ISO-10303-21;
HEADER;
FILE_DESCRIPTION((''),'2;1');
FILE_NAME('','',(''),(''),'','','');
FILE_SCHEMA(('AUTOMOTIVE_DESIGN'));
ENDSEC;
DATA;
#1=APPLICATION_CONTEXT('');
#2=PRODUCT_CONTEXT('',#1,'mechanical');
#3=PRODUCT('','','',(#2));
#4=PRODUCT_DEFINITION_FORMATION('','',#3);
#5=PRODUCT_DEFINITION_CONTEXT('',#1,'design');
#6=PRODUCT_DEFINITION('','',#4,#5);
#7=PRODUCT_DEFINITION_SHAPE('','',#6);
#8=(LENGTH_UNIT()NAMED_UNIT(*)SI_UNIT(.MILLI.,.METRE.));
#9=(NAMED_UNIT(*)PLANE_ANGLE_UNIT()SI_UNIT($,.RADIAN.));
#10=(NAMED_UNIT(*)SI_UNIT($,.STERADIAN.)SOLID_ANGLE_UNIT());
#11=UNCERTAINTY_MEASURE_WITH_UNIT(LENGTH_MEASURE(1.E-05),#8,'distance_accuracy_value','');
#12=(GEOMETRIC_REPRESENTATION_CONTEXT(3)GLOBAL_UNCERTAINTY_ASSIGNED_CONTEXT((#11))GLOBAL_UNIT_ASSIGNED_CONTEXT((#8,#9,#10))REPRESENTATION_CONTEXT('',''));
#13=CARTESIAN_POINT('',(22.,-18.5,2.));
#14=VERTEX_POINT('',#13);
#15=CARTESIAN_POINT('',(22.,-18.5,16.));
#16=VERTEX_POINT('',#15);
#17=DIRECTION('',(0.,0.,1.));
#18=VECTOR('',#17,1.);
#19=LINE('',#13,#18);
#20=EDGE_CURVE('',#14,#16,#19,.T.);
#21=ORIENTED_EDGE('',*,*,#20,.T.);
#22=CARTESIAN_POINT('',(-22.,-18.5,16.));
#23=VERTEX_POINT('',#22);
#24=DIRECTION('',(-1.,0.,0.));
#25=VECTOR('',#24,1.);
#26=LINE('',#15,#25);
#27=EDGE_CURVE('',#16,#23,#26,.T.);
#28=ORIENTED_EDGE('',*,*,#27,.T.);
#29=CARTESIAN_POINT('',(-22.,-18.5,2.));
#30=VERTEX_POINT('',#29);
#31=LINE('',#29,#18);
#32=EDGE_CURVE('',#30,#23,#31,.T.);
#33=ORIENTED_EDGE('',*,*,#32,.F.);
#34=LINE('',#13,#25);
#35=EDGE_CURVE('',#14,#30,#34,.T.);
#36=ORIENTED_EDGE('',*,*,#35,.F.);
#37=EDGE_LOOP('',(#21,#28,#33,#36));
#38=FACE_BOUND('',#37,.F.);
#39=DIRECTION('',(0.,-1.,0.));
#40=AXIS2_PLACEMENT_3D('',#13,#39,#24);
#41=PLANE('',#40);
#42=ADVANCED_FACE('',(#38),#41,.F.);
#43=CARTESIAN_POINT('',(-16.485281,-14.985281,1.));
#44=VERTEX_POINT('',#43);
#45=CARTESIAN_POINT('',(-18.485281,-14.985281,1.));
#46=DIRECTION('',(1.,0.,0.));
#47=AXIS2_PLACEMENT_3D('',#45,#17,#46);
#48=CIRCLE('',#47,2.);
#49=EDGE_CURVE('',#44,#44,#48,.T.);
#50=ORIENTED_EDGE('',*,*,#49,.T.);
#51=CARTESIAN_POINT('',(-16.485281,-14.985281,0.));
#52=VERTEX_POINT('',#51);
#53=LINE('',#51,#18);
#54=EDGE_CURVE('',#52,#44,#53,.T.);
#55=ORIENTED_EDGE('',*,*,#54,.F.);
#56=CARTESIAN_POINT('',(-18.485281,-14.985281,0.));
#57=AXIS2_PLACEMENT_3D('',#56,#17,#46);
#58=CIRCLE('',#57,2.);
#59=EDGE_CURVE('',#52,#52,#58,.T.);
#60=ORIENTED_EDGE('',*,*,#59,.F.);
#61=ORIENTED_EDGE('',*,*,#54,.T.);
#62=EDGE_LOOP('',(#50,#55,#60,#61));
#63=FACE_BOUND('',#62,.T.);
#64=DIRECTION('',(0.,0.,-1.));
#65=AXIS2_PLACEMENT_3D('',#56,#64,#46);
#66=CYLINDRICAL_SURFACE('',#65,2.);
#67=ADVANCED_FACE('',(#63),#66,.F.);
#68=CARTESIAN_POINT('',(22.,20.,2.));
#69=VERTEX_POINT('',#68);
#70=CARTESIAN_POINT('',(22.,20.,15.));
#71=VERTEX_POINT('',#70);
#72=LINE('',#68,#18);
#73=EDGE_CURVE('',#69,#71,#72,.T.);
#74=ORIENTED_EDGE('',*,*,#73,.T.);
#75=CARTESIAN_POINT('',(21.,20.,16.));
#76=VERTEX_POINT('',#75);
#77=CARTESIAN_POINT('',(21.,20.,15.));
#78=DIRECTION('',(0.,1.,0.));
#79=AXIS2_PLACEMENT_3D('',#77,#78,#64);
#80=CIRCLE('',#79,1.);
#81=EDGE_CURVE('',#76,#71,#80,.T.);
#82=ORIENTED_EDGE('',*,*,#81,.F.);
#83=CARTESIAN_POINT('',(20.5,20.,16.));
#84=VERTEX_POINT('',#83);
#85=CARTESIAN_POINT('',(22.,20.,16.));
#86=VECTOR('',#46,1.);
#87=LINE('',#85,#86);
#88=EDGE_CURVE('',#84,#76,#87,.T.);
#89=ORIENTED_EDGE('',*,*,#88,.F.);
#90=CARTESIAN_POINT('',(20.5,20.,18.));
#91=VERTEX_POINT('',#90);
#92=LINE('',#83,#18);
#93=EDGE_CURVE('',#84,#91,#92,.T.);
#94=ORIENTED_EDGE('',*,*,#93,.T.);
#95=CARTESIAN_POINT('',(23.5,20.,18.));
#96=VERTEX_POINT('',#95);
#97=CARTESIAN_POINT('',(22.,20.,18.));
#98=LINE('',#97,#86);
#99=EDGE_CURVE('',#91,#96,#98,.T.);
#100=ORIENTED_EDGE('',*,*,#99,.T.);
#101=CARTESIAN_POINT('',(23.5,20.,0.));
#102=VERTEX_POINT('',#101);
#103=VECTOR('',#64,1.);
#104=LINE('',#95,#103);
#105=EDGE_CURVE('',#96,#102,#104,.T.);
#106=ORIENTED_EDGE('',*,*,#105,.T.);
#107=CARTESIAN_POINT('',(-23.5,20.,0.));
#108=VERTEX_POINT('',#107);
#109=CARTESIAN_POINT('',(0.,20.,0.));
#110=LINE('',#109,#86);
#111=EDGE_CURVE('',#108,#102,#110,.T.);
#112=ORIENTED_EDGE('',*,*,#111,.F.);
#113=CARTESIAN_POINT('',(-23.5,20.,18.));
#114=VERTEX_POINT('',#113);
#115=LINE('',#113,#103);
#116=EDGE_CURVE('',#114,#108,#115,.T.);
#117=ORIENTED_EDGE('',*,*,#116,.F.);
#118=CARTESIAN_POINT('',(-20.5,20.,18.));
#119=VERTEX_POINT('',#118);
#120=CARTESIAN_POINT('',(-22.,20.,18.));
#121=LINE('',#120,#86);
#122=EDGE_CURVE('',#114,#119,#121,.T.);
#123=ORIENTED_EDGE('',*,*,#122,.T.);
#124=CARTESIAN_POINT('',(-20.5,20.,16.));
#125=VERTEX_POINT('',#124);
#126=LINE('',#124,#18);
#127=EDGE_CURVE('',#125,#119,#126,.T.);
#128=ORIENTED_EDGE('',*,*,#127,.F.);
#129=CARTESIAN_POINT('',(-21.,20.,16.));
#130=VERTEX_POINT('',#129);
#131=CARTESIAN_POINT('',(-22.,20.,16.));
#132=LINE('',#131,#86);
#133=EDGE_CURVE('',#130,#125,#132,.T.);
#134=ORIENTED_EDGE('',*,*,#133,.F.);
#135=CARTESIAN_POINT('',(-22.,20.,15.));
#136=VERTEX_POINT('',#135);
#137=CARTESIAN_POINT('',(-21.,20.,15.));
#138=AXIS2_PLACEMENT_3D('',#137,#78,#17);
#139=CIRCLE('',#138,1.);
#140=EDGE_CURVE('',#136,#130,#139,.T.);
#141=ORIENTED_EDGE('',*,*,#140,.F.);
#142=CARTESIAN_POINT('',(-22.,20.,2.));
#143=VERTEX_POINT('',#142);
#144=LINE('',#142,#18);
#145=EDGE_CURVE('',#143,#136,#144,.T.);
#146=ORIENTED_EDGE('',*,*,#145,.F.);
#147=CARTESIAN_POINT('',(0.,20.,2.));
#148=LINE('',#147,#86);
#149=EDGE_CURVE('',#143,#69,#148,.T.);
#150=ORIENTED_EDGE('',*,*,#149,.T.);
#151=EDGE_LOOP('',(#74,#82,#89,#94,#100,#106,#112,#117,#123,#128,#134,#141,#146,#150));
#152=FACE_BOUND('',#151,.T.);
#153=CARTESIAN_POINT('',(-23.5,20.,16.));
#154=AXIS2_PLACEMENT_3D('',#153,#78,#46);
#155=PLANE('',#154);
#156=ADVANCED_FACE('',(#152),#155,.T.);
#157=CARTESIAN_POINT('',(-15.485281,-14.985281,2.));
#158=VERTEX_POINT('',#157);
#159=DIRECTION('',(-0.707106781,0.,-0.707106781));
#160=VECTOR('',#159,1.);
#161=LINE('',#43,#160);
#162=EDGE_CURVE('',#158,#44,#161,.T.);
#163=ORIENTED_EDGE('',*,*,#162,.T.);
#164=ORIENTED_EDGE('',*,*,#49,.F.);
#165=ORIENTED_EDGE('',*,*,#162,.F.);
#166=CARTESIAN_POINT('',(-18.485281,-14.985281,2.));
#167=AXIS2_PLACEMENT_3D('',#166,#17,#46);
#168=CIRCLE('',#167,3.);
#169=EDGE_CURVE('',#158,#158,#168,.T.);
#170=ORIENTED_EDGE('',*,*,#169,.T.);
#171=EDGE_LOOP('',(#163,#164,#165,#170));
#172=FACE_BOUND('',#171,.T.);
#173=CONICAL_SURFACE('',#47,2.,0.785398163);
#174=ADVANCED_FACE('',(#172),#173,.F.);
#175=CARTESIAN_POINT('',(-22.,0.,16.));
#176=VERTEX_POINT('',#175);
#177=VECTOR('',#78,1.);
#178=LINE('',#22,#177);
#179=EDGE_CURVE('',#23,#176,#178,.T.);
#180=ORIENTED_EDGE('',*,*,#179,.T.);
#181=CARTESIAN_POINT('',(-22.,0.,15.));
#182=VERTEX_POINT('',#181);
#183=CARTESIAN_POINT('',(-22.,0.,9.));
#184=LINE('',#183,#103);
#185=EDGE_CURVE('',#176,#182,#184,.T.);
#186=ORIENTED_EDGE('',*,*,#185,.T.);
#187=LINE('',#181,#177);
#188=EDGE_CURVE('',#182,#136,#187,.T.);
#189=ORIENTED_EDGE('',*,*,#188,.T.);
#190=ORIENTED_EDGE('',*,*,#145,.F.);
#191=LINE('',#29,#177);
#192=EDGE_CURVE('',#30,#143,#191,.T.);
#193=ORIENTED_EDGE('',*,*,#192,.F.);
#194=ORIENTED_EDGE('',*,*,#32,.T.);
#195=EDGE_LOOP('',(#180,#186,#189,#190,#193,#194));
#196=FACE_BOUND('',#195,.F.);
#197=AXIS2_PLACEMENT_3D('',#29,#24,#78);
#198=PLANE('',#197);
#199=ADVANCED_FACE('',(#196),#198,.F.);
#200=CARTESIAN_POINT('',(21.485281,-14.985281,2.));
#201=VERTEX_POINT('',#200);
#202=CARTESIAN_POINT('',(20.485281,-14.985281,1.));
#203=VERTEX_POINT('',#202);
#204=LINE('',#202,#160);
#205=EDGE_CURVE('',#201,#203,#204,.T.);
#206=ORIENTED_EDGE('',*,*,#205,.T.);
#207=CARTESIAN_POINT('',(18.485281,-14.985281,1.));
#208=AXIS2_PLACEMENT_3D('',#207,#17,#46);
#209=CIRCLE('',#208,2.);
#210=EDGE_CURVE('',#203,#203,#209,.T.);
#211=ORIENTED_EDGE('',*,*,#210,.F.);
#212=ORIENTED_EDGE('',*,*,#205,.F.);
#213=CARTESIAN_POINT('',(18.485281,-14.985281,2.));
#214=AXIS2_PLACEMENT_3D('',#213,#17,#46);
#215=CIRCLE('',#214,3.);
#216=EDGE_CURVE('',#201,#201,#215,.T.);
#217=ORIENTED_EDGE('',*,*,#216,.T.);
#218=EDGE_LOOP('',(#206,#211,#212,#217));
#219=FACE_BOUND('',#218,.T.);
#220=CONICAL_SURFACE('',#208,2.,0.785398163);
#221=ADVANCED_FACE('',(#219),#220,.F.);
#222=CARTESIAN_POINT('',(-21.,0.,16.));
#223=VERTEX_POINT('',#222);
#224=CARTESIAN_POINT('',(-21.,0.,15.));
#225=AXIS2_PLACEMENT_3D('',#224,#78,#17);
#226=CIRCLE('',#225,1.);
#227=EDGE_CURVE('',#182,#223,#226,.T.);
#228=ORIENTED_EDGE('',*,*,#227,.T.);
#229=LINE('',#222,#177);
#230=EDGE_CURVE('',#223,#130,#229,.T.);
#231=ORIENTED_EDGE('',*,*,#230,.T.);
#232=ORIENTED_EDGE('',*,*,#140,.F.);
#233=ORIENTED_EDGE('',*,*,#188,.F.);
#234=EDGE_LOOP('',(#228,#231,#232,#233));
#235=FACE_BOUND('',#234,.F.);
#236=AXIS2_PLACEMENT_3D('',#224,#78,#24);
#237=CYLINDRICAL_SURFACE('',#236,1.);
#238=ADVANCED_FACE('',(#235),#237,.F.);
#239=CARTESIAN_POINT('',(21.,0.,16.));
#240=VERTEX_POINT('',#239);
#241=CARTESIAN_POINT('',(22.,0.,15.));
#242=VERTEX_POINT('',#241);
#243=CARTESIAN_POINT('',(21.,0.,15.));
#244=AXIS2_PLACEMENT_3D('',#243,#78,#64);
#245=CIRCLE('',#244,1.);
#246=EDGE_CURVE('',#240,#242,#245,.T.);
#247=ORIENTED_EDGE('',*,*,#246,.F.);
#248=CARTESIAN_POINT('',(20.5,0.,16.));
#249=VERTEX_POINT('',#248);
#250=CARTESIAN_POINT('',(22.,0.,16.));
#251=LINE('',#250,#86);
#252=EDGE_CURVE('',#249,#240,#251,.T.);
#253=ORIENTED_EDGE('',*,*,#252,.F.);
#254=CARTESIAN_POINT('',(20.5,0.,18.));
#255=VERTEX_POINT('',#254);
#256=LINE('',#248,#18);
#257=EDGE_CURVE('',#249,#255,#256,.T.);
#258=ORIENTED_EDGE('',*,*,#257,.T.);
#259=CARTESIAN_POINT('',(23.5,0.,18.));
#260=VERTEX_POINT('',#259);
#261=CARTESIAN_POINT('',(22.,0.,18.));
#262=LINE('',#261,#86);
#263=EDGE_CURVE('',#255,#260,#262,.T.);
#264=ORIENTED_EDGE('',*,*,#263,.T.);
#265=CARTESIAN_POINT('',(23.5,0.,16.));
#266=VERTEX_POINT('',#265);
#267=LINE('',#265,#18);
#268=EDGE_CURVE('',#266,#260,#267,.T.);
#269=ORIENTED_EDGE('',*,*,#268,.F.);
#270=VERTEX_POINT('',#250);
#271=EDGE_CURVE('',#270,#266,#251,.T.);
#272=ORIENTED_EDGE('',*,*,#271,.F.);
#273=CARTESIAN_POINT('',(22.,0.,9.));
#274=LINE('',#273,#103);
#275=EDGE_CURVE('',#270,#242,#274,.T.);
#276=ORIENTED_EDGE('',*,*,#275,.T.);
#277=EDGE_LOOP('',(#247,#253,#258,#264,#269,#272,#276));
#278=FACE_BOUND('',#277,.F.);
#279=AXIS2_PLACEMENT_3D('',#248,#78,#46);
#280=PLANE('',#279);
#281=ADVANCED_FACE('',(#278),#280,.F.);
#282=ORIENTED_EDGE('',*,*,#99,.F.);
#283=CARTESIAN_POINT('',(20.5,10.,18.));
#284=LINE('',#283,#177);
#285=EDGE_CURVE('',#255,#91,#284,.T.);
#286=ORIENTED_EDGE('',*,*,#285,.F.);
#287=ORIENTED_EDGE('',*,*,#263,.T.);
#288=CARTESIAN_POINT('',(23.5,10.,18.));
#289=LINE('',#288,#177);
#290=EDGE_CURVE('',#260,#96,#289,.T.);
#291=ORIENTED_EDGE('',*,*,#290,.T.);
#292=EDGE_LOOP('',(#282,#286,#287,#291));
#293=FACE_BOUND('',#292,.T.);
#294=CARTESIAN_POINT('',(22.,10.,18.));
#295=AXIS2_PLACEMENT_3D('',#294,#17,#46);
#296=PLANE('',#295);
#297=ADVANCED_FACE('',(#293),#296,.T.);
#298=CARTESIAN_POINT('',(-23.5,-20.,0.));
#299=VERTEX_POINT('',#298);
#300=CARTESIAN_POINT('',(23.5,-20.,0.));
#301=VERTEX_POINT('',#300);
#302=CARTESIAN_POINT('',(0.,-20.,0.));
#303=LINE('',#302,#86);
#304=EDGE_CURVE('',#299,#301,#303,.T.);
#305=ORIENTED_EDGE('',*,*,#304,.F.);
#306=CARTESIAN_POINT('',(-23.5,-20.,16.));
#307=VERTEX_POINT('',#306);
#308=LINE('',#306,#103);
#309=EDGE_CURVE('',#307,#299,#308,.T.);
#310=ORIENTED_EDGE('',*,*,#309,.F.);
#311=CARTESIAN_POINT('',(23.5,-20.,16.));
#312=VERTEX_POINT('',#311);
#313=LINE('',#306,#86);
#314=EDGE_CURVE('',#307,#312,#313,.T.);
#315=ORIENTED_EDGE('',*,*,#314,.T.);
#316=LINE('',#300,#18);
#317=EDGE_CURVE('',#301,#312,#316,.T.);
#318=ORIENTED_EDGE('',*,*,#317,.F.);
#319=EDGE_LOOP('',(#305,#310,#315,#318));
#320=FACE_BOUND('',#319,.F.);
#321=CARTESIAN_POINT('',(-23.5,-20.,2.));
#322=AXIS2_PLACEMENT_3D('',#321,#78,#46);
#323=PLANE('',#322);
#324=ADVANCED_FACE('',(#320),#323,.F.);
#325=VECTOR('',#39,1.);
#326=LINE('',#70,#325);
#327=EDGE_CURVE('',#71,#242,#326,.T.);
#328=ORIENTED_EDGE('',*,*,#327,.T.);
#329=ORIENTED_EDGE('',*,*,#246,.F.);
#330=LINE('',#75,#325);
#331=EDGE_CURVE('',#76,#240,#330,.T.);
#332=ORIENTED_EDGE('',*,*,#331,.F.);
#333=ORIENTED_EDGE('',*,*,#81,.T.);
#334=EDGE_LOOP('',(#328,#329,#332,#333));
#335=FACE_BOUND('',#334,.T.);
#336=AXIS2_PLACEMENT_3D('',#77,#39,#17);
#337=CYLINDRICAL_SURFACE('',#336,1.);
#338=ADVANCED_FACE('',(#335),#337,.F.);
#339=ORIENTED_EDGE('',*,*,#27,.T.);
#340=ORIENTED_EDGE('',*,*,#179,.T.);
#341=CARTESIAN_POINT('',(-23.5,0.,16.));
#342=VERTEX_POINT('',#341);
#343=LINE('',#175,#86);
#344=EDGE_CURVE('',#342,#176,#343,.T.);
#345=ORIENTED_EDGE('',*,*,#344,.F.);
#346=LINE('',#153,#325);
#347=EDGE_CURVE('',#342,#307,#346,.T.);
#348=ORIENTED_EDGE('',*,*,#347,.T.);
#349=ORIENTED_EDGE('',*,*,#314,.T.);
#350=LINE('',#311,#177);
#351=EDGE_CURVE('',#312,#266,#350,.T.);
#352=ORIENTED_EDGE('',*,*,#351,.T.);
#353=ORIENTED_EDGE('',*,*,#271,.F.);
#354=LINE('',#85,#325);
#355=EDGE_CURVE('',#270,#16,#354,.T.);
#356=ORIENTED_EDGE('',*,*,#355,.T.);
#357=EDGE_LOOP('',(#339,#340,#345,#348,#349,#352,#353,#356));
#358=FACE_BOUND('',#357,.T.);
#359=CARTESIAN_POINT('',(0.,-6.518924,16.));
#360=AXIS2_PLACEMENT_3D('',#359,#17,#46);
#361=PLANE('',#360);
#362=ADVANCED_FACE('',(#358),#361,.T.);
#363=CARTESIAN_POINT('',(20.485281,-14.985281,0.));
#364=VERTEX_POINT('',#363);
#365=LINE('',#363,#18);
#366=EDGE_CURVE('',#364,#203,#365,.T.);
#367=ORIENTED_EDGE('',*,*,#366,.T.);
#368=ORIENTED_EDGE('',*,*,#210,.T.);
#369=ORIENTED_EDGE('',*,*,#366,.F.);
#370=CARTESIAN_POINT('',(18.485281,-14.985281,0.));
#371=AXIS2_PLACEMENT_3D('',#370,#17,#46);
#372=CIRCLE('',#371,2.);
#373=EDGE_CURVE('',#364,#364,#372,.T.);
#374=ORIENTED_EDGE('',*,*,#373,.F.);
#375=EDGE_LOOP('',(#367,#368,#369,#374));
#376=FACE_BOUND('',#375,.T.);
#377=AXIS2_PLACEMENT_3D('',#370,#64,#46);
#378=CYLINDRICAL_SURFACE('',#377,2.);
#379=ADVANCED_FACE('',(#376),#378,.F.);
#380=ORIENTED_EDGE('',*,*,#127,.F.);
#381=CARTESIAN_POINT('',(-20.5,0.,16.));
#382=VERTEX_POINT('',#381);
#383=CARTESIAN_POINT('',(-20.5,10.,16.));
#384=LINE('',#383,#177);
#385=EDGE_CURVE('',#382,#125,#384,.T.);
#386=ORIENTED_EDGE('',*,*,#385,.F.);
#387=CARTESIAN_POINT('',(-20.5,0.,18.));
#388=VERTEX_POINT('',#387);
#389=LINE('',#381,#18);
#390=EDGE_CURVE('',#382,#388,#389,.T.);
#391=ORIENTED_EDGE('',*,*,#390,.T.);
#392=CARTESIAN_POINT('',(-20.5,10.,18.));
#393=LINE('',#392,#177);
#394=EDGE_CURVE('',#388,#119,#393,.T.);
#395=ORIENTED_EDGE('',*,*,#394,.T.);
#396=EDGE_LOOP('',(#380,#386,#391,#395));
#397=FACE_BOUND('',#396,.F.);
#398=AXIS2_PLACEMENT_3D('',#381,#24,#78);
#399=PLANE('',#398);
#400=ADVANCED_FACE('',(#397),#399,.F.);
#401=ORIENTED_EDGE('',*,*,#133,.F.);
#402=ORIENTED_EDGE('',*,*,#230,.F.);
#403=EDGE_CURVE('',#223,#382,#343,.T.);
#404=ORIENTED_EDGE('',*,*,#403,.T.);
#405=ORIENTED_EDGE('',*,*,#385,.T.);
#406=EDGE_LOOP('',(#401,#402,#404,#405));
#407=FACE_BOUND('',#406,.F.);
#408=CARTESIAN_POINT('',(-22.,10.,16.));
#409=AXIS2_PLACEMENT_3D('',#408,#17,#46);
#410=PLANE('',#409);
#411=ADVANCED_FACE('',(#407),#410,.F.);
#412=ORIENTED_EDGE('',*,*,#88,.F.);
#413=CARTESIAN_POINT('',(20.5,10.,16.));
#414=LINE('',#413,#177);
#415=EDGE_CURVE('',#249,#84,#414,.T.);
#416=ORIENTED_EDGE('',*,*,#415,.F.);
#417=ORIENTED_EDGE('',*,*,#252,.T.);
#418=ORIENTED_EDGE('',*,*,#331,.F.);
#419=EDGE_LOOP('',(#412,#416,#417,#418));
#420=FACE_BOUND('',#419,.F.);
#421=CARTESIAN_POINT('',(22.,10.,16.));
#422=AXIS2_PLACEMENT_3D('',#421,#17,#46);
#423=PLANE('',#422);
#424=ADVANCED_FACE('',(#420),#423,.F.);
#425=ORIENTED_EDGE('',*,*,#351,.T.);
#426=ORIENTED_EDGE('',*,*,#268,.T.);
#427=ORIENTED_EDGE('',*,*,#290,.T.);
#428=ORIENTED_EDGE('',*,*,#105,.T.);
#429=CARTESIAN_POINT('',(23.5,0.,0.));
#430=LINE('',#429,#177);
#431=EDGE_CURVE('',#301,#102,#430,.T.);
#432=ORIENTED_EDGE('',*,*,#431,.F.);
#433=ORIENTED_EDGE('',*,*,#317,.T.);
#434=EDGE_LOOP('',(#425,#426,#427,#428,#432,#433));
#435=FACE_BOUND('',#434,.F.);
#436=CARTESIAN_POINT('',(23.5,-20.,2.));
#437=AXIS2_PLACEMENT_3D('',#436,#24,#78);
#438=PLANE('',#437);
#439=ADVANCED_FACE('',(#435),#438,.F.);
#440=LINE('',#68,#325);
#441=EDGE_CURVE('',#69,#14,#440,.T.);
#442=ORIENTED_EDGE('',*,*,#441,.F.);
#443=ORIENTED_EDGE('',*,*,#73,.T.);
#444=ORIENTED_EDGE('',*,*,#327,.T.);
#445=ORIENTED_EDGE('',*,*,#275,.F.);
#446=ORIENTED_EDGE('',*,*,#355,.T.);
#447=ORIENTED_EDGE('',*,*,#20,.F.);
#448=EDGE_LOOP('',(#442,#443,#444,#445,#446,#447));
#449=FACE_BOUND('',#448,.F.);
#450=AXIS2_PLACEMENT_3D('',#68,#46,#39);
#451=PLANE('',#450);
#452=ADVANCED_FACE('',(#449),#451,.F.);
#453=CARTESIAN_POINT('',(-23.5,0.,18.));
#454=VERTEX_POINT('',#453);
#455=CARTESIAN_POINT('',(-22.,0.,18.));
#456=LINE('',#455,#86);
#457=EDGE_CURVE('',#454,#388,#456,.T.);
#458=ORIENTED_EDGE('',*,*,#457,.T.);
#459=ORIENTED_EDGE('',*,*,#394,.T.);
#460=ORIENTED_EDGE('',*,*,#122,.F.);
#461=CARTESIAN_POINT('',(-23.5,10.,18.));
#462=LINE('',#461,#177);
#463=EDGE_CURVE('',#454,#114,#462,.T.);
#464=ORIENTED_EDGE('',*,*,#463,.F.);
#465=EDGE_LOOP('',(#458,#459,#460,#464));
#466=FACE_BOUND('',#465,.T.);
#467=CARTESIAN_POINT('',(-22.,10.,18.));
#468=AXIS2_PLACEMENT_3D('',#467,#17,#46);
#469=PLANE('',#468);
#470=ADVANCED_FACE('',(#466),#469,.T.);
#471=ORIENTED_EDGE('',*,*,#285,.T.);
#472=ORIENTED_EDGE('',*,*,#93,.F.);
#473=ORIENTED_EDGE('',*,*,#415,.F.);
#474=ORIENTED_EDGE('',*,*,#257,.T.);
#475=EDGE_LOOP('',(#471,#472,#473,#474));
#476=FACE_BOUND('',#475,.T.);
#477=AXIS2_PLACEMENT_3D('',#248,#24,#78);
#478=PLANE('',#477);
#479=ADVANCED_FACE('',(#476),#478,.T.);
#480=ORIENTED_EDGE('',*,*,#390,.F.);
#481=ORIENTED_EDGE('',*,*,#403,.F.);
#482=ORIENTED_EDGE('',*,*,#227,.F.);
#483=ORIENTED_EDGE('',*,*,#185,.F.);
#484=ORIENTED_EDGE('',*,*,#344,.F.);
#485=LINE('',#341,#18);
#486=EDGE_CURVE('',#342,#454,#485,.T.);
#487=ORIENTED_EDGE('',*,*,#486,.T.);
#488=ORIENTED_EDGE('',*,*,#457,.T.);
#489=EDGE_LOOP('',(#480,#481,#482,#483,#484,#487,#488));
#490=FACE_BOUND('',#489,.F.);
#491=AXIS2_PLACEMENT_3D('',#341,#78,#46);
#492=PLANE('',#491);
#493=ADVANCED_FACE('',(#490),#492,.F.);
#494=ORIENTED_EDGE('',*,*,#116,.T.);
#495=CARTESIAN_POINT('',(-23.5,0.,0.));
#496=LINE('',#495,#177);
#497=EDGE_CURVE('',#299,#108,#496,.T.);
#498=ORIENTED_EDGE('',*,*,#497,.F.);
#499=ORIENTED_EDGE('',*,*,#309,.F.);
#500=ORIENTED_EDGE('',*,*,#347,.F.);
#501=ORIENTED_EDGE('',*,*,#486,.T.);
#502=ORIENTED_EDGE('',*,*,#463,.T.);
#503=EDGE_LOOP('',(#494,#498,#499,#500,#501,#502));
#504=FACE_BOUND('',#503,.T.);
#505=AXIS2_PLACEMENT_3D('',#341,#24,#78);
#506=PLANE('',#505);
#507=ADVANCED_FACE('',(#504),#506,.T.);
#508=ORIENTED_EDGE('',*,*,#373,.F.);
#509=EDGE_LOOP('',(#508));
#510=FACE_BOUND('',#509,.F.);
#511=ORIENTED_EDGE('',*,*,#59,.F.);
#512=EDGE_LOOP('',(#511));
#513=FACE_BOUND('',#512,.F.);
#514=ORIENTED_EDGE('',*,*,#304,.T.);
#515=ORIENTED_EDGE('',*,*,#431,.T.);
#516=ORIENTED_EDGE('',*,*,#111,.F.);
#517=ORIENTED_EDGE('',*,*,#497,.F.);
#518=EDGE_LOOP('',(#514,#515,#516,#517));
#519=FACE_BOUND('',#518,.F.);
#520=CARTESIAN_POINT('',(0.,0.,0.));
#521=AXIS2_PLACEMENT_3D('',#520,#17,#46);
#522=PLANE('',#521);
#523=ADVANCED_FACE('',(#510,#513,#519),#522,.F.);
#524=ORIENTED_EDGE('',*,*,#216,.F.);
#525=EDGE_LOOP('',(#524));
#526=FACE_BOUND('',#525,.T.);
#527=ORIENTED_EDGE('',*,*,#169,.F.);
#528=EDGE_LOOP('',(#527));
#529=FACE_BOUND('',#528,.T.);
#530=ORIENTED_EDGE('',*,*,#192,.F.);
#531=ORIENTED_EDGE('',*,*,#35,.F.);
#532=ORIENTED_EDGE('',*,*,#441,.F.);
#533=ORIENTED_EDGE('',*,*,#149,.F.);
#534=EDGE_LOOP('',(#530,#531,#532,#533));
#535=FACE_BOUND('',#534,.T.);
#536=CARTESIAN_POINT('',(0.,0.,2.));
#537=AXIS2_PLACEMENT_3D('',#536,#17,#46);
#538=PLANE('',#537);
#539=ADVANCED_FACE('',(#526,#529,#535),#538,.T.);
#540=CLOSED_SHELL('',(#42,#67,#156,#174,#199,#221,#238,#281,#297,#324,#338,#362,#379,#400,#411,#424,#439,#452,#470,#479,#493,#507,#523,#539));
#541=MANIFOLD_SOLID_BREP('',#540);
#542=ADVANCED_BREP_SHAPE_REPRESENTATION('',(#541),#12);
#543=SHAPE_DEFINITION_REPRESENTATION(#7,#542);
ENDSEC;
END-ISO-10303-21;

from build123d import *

# Parameters (mm, degrees)
SKETCH_W      = 47
SKETCH_H      = 40
SKETCH_R      = 2
PAD_DEPTH     = 2
PAD001_DEPTH  = 14
SKETCH002_W   = 3
SKETCH002_H   = 20
PAD002_DEPTH  = 2
FILLET_R      = 1
FILLET001_R   = 1
CHAMFER_ANGLE = 45
CHAMFER_SIZE  = 1


with BuildPart() as part:
    # Sketch → Pad (new body)
    with BuildSketch(Plane.XY):
        Rectangle(SKETCH_W, SKETCH_H)
        with Locations((-18.485281, -14.985281)):
            Circle(SKETCH_R, mode=Mode.SUBTRACT)
        with Locations((18.485281, -14.985281)):
            Circle(SKETCH_R, mode=Mode.SUBTRACT)
    extrude(amount=PAD_DEPTH)

    # Sketch001 (on Face8 of Pad) → Pad001 (join)
    with BuildSketch(Plane.XY.offset(2)):
        Polygon((-23.5, -20), (23.5, -20), (23.5, 20), (22, 20), (22, -18.5), (-22, -18.5), (-22, 20), (-23.5, 20), align=None)
    extrude(amount=PAD001_DEPTH)

    # Sketch002 (on Face14 of Pad001) → Pad002 (join)
    with BuildSketch(Plane.XY.offset(16)):
        with Locations((-22, 10)):
            Rectangle(SKETCH002_W, SKETCH002_H)
        with Locations((22, 10)):
            Rectangle(SKETCH002_W, SKETCH002_H)
    extrude(amount=PAD002_DEPTH)

    # Fillet
    fillet_edges = [part.edges().sort_by_distance(p)[0] for p in [
        (22, 10, 16),
    ]]
    fillet(fillet_edges, radius=FILLET_R)

    # Fillet001
    fillet001_edges = [part.edges().sort_by_distance(p)[0] for p in [
        (-22, 10, 16),
    ]]
    fillet(fillet001_edges, radius=FILLET001_R)

    # Chamfer
    chamfer_edges = [part.edges().sort_by_distance(p)[0] for p in [
        (16.485281, -14.985281, 2),
        (-20.485281, -14.985281, 2),
    ]]
    chamfer_side = part.faces().sort_by_distance((0, 0.98697, 2))[0]
    chamfer(chamfer_edges, length=CHAMFER_SIZE, angle=CHAMFER_ANGLE, reference=chamfer_side)


solid = part.part
